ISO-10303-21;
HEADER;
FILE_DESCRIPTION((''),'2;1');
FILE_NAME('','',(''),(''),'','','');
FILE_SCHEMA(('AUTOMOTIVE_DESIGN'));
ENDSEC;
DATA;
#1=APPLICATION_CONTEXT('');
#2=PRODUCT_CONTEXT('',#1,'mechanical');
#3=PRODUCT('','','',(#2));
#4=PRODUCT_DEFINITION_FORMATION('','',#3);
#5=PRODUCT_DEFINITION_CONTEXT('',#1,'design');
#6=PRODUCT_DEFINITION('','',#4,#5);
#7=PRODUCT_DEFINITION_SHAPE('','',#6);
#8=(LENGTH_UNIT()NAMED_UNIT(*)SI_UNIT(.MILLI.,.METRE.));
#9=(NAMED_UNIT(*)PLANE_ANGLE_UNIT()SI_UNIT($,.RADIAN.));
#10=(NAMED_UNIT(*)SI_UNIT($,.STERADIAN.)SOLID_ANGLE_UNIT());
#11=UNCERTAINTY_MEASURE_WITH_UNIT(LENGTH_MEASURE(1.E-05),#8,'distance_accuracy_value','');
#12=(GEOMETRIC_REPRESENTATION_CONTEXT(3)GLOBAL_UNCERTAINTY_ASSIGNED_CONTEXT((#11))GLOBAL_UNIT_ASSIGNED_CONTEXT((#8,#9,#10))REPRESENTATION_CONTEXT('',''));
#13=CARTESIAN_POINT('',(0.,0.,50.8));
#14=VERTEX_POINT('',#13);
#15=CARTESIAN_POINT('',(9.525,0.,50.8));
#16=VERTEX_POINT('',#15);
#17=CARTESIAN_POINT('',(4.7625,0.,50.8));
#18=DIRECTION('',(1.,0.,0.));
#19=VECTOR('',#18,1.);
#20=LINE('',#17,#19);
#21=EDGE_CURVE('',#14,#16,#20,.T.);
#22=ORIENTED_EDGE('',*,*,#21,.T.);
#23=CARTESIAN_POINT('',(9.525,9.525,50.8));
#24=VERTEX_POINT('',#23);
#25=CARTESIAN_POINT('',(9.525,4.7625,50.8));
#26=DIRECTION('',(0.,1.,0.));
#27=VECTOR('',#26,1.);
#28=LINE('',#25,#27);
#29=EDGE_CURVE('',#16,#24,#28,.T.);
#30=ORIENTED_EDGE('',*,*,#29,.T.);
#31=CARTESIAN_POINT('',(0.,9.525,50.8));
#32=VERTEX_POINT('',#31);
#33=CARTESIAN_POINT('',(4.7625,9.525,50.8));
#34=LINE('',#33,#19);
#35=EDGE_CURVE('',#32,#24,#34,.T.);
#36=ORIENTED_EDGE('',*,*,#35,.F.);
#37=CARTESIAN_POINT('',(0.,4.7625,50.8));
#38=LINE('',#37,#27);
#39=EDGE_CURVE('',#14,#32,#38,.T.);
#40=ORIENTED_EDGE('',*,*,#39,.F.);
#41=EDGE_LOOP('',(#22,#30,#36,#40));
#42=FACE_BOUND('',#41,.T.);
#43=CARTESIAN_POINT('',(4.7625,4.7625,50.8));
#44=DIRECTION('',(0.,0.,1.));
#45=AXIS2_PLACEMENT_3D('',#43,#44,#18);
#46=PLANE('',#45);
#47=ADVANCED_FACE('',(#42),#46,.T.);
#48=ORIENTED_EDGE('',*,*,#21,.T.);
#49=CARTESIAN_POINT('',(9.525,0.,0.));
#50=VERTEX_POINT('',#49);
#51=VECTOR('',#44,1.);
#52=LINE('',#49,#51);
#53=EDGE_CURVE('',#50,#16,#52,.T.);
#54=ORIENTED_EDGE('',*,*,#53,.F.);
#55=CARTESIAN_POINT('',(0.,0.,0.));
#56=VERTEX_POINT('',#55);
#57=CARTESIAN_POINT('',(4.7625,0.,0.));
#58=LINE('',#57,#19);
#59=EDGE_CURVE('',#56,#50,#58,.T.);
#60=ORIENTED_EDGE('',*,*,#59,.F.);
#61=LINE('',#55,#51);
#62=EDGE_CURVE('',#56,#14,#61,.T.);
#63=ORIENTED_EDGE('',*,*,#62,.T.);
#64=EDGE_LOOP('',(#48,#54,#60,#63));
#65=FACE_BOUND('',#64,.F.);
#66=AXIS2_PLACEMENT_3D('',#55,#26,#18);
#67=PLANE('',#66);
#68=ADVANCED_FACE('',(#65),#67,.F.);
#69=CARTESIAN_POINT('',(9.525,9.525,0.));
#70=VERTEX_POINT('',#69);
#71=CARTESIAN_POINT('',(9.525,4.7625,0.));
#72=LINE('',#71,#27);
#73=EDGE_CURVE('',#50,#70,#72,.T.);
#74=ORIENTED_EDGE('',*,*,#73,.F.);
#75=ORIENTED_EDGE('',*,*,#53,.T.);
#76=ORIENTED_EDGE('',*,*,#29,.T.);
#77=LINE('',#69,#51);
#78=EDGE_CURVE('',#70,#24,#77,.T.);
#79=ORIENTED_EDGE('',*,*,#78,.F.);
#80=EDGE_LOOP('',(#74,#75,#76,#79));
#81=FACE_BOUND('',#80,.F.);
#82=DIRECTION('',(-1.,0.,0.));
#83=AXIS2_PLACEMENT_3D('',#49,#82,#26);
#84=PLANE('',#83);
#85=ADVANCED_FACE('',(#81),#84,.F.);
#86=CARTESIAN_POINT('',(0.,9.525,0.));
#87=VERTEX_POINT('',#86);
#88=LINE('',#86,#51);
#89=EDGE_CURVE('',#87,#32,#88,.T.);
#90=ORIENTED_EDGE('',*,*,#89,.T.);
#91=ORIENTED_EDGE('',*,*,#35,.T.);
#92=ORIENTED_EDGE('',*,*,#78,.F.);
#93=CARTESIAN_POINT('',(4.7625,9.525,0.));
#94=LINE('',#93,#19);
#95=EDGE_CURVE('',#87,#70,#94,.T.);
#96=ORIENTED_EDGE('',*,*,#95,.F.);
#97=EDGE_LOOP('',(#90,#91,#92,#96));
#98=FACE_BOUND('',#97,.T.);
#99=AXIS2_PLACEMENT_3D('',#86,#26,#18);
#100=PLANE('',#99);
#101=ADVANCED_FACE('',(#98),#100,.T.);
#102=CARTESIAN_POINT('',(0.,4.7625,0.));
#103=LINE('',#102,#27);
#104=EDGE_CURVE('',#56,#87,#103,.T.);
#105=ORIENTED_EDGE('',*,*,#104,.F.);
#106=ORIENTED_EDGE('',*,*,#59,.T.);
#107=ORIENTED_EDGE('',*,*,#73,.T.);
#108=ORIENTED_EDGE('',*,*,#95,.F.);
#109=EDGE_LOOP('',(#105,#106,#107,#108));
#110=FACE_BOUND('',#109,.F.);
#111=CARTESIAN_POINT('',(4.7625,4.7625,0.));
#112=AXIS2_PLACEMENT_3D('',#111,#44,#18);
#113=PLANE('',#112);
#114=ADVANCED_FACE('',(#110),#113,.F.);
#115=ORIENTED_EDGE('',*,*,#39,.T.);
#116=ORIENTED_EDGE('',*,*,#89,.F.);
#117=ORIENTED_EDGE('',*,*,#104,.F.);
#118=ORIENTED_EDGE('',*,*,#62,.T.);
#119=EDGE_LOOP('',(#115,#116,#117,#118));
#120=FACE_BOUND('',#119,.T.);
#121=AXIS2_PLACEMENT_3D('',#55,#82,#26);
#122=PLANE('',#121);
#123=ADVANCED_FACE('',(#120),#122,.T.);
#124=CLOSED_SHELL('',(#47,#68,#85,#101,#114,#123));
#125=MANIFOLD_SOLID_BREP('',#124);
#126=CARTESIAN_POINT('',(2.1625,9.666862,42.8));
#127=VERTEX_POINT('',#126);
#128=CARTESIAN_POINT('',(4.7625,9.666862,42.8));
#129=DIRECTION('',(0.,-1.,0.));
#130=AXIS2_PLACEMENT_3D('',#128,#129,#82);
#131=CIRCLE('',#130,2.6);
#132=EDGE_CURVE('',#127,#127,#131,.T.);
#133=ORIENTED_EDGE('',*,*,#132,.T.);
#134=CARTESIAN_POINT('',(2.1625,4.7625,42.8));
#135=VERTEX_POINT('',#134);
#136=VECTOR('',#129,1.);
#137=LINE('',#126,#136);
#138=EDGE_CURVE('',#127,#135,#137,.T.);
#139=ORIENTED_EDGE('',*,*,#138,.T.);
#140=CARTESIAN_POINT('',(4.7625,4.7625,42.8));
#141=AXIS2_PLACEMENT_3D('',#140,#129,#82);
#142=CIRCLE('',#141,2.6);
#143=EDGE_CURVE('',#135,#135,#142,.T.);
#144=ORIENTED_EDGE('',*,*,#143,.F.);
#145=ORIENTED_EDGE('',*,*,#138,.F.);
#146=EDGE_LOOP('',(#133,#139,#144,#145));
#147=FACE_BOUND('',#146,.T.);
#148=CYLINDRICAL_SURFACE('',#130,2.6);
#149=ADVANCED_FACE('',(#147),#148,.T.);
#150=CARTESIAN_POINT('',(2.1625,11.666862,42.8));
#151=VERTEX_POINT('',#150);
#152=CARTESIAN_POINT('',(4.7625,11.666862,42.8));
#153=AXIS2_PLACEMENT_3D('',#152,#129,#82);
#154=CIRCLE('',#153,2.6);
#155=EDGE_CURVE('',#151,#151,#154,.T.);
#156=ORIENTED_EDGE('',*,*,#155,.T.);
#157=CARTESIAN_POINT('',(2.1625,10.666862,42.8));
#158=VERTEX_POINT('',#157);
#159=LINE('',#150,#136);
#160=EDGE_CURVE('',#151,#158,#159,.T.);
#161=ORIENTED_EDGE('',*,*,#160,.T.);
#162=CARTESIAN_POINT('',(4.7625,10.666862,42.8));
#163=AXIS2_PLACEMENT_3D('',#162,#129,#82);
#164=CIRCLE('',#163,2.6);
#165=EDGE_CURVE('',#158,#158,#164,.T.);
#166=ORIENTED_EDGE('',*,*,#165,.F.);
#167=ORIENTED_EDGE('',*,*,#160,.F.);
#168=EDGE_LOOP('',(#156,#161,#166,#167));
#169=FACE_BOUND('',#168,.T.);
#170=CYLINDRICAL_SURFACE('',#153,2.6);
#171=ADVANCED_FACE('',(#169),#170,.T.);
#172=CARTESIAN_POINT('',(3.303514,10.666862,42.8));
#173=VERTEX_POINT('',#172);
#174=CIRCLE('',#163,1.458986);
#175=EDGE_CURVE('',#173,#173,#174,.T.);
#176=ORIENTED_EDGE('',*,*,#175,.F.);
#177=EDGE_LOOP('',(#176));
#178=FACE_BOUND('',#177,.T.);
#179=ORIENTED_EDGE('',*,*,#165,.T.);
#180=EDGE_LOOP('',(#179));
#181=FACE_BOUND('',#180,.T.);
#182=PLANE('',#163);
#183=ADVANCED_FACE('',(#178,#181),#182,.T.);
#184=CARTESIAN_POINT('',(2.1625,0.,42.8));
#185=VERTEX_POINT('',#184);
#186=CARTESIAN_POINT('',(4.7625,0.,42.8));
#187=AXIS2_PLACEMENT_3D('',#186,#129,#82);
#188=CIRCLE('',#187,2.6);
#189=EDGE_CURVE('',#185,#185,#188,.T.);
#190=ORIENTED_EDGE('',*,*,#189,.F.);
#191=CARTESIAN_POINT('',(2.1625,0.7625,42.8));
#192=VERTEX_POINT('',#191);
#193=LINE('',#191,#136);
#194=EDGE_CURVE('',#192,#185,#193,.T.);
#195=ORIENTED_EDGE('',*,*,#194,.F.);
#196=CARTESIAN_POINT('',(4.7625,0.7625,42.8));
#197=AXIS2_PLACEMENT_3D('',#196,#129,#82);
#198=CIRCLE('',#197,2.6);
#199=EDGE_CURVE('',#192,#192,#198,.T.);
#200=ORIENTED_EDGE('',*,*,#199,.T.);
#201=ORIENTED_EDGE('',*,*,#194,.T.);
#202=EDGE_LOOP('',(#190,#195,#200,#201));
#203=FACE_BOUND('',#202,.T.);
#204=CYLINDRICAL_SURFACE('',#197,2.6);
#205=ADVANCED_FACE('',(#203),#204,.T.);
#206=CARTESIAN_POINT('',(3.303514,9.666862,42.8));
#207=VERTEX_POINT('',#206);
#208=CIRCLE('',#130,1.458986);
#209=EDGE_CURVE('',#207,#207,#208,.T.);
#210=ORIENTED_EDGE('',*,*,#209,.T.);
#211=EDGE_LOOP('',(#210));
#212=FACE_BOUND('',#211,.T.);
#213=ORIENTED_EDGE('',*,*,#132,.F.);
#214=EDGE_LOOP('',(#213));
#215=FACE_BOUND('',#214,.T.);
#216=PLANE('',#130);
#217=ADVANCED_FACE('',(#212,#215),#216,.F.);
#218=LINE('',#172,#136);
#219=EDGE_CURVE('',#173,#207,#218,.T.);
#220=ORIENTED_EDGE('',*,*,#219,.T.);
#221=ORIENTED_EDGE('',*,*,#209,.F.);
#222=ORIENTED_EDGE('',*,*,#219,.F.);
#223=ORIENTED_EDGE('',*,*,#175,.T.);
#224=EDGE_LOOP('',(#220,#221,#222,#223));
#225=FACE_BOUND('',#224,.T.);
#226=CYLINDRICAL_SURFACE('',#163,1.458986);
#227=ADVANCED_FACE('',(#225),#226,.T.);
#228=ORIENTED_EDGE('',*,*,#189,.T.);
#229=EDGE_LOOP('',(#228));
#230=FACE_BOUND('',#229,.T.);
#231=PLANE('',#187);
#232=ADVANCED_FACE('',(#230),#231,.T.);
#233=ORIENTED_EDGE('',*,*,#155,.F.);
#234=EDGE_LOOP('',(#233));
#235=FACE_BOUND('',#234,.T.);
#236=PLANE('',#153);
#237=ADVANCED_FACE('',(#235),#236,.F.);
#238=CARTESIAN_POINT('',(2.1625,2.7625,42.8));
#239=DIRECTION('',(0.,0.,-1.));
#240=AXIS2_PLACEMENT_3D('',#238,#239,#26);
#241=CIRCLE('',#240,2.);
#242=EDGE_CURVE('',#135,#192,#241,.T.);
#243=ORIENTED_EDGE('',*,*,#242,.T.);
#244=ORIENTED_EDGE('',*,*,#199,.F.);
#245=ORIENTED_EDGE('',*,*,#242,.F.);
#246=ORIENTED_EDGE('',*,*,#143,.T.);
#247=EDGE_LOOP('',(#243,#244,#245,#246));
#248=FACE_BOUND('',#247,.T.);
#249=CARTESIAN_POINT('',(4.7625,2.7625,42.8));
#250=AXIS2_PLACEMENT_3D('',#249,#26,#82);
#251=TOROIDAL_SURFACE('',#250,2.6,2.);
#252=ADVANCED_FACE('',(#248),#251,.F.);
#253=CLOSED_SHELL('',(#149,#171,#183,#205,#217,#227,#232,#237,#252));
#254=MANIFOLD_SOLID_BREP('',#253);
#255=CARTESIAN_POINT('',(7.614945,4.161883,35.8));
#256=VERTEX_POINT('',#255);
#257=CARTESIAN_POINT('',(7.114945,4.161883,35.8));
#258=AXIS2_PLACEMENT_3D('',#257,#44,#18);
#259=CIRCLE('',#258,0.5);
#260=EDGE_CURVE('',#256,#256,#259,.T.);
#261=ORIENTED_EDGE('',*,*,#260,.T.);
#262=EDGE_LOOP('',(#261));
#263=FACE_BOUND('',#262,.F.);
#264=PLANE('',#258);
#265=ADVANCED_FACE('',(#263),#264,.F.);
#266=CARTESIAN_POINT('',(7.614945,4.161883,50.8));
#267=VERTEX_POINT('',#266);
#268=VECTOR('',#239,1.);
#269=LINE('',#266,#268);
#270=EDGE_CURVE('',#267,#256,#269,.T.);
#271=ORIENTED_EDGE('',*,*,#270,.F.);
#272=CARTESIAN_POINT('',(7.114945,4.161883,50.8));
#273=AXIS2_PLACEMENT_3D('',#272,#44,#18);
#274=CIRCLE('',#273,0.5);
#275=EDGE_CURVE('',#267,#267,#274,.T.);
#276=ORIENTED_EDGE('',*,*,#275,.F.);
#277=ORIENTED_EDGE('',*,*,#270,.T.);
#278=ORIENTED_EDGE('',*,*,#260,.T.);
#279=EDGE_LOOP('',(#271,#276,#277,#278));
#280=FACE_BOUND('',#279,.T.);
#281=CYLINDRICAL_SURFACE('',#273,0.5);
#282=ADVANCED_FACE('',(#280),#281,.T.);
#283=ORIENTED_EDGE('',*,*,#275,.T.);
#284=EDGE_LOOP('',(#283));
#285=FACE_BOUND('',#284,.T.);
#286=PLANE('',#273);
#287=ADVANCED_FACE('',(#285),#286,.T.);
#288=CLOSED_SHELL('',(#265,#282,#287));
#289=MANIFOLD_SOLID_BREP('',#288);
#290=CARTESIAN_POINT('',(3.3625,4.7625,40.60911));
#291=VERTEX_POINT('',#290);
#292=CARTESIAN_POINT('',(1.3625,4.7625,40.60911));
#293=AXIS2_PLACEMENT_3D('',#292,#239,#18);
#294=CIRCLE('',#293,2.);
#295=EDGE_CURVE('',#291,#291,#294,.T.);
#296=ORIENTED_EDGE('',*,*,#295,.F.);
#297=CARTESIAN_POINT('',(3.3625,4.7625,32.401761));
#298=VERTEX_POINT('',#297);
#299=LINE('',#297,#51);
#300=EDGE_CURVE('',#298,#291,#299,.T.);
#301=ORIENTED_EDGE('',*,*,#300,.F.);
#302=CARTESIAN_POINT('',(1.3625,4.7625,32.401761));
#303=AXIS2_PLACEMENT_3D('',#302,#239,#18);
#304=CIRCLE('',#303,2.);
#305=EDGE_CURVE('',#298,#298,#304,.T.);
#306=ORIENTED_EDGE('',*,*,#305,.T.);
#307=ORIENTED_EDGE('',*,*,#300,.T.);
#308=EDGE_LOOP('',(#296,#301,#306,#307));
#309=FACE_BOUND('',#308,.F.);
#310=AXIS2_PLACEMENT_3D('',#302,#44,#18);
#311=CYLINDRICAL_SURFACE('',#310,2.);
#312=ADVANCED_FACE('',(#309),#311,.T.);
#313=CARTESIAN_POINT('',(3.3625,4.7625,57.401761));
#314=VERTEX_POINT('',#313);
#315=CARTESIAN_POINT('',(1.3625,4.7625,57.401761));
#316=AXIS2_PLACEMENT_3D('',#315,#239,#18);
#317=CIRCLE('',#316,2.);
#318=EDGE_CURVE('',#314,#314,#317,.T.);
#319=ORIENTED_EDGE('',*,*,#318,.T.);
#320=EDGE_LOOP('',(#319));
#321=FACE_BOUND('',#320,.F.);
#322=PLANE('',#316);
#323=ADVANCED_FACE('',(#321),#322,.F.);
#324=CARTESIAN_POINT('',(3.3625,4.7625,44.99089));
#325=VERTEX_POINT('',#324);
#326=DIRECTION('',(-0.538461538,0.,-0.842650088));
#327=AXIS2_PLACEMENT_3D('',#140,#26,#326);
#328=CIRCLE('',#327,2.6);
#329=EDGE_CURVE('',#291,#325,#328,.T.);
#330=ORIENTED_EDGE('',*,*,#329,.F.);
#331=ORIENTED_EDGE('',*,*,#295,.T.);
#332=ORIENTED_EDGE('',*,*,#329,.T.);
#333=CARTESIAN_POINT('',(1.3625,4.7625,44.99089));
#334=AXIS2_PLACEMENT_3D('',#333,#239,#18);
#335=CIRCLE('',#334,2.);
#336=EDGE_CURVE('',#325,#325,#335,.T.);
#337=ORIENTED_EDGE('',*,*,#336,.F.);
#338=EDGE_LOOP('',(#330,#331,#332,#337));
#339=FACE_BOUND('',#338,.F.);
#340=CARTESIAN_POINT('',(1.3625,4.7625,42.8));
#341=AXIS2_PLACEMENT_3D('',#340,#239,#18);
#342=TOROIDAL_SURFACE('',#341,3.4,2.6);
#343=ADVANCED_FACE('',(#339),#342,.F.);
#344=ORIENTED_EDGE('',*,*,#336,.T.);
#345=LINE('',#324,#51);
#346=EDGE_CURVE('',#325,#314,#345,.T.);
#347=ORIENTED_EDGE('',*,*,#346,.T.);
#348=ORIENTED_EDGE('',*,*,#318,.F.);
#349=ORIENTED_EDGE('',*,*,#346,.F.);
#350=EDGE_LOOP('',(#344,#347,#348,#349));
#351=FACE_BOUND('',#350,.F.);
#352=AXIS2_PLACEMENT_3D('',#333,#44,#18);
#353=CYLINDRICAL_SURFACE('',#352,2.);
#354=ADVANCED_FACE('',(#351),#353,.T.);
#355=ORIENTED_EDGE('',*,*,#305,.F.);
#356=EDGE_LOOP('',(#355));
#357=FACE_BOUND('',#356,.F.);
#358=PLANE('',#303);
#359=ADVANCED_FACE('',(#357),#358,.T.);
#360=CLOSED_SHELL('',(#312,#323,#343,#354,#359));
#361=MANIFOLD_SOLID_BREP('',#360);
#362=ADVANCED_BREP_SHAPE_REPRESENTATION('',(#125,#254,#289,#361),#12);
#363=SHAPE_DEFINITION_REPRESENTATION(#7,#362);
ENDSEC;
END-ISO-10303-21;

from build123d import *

# Parameters (mm, degrees)
F0_W      = 9.525
F0_H      = 9.525
F1_DEPTH  = 50.8
F11_R     = 0.5
F12_DEPTH = 15


with BuildPart() as f1:
    # F0 (on Top) → F1 (new body)
    with BuildSketch(Plane.XY):
        with Locations((4.7625, 4.7625)):
            Rectangle(F0_W, F0_H)
    extrude(amount=F1_DEPTH)


with BuildPart() as f4:
    # F3 (on offset) → F4 (revolve)
    with BuildSketch(Plane.XY.offset(42.8)):
        with BuildLine():
            Line((4.7625, 11.6668619663), (2.1625, 11.6668619663))
            Line((2.1625, 11.6668619663), (2.1625, 10.6668619663))
            Line((2.1625, 10.6668619663), (3.303514332, 10.6668619663))
            Line((3.303514332, 10.6668619663), (3.303514332, 9.6668619663))
            Line((3.303514332, 9.6668619663), (2.1625, 9.6668619663))
            Line((2.1625, 9.6668619663), (2.1625, 4.7625))
            ThreePointArc((2.1625, 4.7625), (4.1625, 2.7625), (2.1625, 0.7625))
            Line((2.1625, 0.7625), (2.1625, 0))
            Line((2.1625, 0), (4.7625, 0))
            Line((4.7625, 0), (4.7625, 11.6668619663))
        make_face()
    revolve(axis=Axis((4.7625, 4.0530543774, 42.8), (0, -1, 0)))


with BuildPart() as f10:
    # F9 (on 3pt) → F10 (revolve)
    with BuildSketch(Plane.XZ.offset(-4.7625)):
        with BuildLine():
            Line((3.3625, 57.4017606624), (1.3625, 57.4017606624))
            Line((1.3625, 57.4017606624), (1.3625, 32.4017606624))
            Line((1.3625, 32.4017606624), (3.3625, 32.4017606624))
            Line((3.3625, 32.4017606624), (3.3625, 40.60910977))
            ThreePointArc((3.3625, 40.60910977), (2.1625, 42.8), (3.3625, 44.99089023))
            Line((3.3625, 44.99089023), (3.3625, 57.4017606624))
        make_face()
    revolve(axis=Axis((1.3625, 4.7625, 45.4864110798), (0, 0, -1)))


with BuildPart() as f12:
    # F11 (on face) → F12 (new body)
    with BuildSketch(Plane.XY.offset(50.8)):
        with Locations((7.1149454452, 4.1618831456)):
            Circle(F11_R)
    extrude(amount=-F12_DEPTH)


solid = Compound([f1.part, f4.part, f10.part, f12.part])
